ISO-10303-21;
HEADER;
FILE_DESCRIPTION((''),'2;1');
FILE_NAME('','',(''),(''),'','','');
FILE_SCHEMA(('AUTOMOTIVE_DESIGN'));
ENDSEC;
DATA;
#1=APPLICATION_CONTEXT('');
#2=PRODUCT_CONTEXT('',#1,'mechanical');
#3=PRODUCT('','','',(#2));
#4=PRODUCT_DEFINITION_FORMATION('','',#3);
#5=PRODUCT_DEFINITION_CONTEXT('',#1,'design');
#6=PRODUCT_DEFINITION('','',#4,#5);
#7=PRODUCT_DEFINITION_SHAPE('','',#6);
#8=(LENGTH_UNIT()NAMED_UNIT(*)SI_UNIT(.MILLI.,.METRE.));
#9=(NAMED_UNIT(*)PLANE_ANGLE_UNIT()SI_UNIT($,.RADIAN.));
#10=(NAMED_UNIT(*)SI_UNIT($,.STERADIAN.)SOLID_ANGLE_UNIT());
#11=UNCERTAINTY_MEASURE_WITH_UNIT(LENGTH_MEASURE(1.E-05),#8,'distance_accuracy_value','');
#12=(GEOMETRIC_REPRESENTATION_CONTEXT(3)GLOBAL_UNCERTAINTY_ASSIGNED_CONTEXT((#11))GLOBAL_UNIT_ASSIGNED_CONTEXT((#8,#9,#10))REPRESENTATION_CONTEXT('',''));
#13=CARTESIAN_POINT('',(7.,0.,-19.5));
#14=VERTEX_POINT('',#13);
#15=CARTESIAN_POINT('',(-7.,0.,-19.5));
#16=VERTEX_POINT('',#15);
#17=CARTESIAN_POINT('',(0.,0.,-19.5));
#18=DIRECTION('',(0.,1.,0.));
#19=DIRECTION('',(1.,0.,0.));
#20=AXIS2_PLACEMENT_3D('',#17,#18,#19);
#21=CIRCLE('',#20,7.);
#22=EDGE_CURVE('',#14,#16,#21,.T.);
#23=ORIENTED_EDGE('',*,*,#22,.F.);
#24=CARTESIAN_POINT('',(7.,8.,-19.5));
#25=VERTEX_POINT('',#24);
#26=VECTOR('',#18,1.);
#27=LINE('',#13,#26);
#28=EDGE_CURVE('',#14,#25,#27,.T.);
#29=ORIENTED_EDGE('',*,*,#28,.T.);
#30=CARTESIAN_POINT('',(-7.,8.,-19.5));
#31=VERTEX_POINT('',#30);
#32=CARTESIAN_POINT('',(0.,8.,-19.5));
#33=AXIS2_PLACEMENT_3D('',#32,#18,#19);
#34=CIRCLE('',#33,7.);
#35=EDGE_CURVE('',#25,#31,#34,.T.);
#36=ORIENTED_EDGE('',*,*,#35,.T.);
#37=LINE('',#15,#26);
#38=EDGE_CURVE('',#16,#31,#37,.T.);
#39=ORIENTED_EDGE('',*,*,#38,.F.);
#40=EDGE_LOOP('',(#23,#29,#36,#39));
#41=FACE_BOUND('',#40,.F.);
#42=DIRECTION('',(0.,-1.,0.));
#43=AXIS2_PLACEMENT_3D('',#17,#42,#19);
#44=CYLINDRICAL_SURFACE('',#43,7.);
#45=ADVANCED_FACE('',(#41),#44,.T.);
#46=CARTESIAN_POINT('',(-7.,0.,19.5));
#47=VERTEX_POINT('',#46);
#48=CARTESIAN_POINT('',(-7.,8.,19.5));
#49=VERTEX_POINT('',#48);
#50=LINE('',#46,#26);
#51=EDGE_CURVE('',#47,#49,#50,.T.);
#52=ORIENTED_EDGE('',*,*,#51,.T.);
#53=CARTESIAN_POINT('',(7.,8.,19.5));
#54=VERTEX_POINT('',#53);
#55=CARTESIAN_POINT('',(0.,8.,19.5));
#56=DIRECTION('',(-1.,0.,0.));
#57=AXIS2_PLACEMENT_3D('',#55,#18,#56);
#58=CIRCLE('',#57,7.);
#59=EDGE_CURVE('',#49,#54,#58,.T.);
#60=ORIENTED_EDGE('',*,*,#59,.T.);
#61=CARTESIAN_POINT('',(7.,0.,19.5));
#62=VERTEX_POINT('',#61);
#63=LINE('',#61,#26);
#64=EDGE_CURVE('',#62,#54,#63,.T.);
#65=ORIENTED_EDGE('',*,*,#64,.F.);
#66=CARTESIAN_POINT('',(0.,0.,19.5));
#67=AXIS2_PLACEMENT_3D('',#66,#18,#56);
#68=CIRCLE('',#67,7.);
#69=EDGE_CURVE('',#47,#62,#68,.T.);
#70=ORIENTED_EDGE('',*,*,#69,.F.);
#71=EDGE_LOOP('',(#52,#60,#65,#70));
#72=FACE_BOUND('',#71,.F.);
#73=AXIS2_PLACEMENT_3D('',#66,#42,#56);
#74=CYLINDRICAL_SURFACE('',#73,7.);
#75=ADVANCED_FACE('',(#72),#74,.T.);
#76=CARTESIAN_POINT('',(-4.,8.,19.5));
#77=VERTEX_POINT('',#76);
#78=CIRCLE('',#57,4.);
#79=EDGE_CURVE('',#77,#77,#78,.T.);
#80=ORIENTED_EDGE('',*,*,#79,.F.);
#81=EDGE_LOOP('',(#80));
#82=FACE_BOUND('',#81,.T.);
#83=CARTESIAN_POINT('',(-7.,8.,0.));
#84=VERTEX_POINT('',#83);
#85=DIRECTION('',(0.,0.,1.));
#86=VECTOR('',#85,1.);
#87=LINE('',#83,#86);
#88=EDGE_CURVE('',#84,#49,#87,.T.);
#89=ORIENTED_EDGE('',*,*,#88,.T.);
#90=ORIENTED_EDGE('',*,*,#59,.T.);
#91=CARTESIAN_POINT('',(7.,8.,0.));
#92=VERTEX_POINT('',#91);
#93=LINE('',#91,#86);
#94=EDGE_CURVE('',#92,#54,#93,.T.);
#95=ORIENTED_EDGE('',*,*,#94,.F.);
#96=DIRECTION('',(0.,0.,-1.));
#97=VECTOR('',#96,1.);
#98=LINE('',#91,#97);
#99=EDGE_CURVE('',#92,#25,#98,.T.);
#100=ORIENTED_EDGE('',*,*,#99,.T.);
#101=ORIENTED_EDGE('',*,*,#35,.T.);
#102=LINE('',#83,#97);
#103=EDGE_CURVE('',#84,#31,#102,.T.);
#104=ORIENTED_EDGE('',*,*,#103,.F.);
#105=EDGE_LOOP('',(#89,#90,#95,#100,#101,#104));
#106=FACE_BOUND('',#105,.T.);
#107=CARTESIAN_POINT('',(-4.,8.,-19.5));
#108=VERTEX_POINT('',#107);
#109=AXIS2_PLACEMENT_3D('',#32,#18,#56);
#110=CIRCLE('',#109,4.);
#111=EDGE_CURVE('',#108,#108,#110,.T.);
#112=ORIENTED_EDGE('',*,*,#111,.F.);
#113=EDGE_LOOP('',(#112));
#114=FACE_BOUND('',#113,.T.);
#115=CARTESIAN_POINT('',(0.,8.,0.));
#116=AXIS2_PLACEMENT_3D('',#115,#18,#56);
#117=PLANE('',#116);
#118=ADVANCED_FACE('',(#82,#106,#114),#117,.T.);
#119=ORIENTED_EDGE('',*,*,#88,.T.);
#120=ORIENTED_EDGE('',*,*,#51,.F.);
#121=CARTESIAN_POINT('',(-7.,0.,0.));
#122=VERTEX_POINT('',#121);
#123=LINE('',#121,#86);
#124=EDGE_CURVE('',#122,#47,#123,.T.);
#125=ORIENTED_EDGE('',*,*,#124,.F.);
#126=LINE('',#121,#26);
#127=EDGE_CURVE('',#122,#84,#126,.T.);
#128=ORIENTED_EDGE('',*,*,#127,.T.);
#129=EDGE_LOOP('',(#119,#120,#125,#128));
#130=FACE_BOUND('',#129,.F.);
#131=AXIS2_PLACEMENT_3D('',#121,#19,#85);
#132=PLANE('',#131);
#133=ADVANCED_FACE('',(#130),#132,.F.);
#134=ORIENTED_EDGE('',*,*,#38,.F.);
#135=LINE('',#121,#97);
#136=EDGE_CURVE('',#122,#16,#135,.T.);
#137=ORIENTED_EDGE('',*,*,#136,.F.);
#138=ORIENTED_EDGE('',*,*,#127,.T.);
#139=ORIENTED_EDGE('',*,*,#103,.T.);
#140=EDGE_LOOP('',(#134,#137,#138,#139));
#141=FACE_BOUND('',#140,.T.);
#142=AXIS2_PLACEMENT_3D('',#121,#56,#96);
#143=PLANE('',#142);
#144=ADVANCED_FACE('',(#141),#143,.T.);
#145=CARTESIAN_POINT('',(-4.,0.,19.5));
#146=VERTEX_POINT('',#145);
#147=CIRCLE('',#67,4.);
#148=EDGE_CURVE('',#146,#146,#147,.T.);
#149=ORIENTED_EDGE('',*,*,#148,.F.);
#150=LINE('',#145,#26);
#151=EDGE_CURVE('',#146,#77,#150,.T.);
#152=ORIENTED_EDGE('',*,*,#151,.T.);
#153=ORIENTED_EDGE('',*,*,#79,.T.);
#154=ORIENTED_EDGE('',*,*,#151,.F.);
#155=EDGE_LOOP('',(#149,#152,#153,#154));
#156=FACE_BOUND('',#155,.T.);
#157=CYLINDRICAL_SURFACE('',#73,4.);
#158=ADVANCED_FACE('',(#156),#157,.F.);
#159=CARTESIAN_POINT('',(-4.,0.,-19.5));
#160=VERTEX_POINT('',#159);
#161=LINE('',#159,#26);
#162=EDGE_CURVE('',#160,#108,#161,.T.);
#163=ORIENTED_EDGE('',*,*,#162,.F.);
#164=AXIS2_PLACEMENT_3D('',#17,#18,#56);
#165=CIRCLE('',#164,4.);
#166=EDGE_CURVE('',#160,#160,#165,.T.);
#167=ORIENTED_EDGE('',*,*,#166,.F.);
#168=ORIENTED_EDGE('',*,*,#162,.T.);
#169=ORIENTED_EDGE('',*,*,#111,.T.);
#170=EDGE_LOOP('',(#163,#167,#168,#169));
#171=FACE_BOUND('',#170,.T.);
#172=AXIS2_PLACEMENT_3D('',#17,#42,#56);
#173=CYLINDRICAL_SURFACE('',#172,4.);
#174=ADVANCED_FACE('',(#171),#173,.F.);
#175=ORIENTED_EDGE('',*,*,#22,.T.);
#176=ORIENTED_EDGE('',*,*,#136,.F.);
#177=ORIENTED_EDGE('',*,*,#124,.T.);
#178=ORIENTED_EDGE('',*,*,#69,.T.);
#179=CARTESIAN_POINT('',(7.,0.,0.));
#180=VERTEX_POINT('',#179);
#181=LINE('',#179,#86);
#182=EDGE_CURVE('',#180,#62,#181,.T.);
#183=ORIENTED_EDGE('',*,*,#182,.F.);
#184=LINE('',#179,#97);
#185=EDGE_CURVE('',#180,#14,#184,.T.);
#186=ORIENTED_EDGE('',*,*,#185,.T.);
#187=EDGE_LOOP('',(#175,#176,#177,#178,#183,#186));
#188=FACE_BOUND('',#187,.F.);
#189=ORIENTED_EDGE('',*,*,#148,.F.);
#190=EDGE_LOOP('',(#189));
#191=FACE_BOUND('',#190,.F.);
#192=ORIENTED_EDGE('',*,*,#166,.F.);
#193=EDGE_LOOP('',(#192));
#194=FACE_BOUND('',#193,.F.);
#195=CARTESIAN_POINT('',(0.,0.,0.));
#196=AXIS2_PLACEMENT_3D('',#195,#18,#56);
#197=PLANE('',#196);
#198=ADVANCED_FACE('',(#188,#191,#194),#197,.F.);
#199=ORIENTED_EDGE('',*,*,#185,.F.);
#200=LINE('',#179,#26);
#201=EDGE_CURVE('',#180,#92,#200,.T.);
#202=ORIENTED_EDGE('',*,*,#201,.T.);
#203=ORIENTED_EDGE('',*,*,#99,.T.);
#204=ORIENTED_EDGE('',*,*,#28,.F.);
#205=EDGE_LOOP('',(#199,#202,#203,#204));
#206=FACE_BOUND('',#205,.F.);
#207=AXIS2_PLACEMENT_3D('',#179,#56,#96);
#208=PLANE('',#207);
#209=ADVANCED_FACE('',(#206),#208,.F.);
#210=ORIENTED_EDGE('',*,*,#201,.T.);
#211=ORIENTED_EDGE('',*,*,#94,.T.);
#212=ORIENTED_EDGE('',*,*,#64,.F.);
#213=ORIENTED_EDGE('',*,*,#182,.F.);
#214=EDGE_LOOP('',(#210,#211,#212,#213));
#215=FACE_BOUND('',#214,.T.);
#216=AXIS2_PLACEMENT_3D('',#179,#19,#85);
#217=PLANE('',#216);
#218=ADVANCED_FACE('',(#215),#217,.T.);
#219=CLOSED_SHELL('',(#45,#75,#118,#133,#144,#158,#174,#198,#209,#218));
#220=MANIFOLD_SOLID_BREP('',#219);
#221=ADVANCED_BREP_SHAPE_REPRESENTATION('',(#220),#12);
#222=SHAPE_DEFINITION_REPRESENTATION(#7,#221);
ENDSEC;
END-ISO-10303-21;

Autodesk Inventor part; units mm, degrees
ref_plane "YZ Plane" through (0, 0, 0) normal (1, 0, 0) x (0, 1, 0)
ref_plane "XZ Plane" through (0, 0, 0) normal (0, 1, 0) x (-1, 0, 0)
ref_plane "XY Plane" through (0, 0, 0) normal (0, 0, 1) x (1, 0, 0)
sketch "Sketch1" plane through (0, 0, 0) normal (0, 1, 0) x (-1, 0, 0)
  line L0 (7, 0) -> (7, -19.5)
  line L1 (7, 0) -> (7, 19.5)
  line L2 (-7, 0) -> (-7, -19.5)
  line L3 (-7, 0) -> (-7, 19.5)
  circle A0 centre (0, -19.5) radius 4
  circle A1 centre (0, 19.5) radius 4
  arc A2 (-7, -19.5) -> (7, -19.5) centre (0, -19.5) ccw
  arc A3 (7, 19.5) -> (-7, 19.5) centre (0, 19.5) ccw
  point P0 (0, 0)
  point P1 (0, 26.5)
  point P2 (0, -26.5)
  dimension "d0" = 7
  dimension "d1" = 7
  dimension "d2" = 19.5
  dimension "d3" = 19.5
  dimension "d6" = 14
  dimension "d7" = 14
  dimension "d8" = 8
  dimension "d9" = 8
  dimension "d10" = 14
  dimension "d13" = 14
  dimension "d14" = 39
  dimension "d15" = 53
extrude "Extrusion1" add sketch "Sketch1" along normal blind 8
properties part number "Hebel"
